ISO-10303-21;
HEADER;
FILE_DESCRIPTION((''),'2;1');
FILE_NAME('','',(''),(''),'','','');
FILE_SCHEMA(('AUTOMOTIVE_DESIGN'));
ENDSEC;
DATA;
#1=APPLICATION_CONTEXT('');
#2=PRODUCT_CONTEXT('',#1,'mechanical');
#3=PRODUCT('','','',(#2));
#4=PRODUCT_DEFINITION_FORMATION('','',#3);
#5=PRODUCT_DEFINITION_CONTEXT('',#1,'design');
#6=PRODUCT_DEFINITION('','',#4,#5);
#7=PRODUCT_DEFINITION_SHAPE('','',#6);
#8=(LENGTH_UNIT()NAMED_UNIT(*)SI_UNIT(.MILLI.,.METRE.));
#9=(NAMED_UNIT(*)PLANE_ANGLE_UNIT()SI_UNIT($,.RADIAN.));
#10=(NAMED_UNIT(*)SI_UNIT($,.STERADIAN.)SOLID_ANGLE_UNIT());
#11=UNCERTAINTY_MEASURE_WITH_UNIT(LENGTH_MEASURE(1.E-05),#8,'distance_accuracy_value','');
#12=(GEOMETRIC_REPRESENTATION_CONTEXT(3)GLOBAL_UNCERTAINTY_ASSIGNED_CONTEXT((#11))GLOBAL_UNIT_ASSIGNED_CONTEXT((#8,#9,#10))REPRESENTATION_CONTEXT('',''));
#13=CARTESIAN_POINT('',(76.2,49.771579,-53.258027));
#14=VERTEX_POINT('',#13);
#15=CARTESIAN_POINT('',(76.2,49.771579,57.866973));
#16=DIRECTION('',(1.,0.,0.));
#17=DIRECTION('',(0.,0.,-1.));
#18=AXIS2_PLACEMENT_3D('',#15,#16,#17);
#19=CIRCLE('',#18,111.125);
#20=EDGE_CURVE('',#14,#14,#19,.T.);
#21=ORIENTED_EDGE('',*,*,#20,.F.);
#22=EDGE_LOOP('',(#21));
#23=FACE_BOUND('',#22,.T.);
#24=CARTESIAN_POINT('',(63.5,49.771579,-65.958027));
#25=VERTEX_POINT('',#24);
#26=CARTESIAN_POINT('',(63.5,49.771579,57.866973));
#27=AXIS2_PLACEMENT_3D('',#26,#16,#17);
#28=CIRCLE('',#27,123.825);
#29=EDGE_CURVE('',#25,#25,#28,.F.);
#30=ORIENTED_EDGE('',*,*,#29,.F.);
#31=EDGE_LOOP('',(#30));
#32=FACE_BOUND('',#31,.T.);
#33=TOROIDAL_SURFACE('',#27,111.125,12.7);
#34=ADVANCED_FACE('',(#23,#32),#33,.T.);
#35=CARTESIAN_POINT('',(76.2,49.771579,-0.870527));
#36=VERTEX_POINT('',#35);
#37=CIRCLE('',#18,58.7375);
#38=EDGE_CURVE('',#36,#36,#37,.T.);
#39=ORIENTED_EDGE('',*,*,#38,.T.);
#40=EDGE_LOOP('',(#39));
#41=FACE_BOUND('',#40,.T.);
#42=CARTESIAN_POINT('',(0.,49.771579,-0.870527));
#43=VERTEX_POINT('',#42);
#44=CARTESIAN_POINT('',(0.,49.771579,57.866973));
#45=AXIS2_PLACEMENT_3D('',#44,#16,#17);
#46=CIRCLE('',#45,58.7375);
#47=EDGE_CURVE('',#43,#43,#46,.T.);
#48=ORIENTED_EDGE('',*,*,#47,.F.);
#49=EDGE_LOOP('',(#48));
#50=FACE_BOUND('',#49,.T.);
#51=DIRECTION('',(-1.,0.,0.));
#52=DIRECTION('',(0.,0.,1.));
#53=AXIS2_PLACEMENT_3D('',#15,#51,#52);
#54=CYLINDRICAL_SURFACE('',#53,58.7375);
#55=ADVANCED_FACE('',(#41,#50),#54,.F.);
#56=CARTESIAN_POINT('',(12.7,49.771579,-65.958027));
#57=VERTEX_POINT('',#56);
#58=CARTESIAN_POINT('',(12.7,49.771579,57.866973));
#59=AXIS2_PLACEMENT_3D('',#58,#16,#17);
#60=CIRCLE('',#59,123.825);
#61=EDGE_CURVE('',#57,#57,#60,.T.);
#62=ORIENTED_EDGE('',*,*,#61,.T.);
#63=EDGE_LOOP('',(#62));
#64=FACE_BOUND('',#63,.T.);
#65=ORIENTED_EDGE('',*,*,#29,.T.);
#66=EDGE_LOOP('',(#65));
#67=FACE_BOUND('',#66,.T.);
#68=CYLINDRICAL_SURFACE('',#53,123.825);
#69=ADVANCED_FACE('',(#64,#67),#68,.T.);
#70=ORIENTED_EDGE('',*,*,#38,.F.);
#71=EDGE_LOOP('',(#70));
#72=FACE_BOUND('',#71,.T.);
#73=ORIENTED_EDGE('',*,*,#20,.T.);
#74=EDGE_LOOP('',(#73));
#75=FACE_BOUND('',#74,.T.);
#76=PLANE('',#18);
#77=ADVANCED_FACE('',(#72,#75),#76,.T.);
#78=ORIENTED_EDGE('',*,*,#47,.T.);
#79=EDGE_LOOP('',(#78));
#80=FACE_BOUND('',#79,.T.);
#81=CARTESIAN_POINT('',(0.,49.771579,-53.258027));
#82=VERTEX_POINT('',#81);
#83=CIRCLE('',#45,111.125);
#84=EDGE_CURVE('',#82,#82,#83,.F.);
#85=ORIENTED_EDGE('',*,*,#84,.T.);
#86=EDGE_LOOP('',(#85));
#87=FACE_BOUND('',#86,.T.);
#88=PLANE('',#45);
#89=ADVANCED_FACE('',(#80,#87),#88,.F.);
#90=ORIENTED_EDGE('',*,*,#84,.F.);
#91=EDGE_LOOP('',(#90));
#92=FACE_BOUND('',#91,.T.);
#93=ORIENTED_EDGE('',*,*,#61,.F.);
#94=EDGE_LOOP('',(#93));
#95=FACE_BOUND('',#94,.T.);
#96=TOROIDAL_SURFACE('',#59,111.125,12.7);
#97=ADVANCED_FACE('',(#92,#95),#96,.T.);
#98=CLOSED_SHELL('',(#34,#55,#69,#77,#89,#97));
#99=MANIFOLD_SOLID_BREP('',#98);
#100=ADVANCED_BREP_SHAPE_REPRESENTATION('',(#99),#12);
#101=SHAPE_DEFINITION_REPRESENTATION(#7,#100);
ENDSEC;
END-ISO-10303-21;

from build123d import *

# Parameters (mm, degrees)
SKETCH1_R           = 123.825
SKETCH1_R_2         = 58.7375
BOSS_EXTRUDE1_DEPTH = 76.2
FILLET1_R           = 12.7


with BuildPart() as part:
    # Sketch1 → Boss-Extrude1 (new body)
    with BuildSketch(Plane(origin=(0, 0, 0), x_dir=(0, 0, -1), z_dir=(1, 0, 0))):
        with Locations((-57.8669729, 49.771579403)):
            Circle(SKETCH1_R)
        with Locations((-57.8669729, 49.771579403)):
            Circle(SKETCH1_R_2, mode=Mode.SUBTRACT)
    extrude(amount=BOSS_EXTRUDE1_DEPTH)

    # Fillet1
    fillet1_edges = [part.edges().sort_by_distance(p)[0] for p in [
        (0, 49.771579403, 181.6919729),
        (76.2, 49.771579403, 181.6919729),
    ]]
    fillet(fillet1_edges, radius=FILLET1_R)


solid = part.part
